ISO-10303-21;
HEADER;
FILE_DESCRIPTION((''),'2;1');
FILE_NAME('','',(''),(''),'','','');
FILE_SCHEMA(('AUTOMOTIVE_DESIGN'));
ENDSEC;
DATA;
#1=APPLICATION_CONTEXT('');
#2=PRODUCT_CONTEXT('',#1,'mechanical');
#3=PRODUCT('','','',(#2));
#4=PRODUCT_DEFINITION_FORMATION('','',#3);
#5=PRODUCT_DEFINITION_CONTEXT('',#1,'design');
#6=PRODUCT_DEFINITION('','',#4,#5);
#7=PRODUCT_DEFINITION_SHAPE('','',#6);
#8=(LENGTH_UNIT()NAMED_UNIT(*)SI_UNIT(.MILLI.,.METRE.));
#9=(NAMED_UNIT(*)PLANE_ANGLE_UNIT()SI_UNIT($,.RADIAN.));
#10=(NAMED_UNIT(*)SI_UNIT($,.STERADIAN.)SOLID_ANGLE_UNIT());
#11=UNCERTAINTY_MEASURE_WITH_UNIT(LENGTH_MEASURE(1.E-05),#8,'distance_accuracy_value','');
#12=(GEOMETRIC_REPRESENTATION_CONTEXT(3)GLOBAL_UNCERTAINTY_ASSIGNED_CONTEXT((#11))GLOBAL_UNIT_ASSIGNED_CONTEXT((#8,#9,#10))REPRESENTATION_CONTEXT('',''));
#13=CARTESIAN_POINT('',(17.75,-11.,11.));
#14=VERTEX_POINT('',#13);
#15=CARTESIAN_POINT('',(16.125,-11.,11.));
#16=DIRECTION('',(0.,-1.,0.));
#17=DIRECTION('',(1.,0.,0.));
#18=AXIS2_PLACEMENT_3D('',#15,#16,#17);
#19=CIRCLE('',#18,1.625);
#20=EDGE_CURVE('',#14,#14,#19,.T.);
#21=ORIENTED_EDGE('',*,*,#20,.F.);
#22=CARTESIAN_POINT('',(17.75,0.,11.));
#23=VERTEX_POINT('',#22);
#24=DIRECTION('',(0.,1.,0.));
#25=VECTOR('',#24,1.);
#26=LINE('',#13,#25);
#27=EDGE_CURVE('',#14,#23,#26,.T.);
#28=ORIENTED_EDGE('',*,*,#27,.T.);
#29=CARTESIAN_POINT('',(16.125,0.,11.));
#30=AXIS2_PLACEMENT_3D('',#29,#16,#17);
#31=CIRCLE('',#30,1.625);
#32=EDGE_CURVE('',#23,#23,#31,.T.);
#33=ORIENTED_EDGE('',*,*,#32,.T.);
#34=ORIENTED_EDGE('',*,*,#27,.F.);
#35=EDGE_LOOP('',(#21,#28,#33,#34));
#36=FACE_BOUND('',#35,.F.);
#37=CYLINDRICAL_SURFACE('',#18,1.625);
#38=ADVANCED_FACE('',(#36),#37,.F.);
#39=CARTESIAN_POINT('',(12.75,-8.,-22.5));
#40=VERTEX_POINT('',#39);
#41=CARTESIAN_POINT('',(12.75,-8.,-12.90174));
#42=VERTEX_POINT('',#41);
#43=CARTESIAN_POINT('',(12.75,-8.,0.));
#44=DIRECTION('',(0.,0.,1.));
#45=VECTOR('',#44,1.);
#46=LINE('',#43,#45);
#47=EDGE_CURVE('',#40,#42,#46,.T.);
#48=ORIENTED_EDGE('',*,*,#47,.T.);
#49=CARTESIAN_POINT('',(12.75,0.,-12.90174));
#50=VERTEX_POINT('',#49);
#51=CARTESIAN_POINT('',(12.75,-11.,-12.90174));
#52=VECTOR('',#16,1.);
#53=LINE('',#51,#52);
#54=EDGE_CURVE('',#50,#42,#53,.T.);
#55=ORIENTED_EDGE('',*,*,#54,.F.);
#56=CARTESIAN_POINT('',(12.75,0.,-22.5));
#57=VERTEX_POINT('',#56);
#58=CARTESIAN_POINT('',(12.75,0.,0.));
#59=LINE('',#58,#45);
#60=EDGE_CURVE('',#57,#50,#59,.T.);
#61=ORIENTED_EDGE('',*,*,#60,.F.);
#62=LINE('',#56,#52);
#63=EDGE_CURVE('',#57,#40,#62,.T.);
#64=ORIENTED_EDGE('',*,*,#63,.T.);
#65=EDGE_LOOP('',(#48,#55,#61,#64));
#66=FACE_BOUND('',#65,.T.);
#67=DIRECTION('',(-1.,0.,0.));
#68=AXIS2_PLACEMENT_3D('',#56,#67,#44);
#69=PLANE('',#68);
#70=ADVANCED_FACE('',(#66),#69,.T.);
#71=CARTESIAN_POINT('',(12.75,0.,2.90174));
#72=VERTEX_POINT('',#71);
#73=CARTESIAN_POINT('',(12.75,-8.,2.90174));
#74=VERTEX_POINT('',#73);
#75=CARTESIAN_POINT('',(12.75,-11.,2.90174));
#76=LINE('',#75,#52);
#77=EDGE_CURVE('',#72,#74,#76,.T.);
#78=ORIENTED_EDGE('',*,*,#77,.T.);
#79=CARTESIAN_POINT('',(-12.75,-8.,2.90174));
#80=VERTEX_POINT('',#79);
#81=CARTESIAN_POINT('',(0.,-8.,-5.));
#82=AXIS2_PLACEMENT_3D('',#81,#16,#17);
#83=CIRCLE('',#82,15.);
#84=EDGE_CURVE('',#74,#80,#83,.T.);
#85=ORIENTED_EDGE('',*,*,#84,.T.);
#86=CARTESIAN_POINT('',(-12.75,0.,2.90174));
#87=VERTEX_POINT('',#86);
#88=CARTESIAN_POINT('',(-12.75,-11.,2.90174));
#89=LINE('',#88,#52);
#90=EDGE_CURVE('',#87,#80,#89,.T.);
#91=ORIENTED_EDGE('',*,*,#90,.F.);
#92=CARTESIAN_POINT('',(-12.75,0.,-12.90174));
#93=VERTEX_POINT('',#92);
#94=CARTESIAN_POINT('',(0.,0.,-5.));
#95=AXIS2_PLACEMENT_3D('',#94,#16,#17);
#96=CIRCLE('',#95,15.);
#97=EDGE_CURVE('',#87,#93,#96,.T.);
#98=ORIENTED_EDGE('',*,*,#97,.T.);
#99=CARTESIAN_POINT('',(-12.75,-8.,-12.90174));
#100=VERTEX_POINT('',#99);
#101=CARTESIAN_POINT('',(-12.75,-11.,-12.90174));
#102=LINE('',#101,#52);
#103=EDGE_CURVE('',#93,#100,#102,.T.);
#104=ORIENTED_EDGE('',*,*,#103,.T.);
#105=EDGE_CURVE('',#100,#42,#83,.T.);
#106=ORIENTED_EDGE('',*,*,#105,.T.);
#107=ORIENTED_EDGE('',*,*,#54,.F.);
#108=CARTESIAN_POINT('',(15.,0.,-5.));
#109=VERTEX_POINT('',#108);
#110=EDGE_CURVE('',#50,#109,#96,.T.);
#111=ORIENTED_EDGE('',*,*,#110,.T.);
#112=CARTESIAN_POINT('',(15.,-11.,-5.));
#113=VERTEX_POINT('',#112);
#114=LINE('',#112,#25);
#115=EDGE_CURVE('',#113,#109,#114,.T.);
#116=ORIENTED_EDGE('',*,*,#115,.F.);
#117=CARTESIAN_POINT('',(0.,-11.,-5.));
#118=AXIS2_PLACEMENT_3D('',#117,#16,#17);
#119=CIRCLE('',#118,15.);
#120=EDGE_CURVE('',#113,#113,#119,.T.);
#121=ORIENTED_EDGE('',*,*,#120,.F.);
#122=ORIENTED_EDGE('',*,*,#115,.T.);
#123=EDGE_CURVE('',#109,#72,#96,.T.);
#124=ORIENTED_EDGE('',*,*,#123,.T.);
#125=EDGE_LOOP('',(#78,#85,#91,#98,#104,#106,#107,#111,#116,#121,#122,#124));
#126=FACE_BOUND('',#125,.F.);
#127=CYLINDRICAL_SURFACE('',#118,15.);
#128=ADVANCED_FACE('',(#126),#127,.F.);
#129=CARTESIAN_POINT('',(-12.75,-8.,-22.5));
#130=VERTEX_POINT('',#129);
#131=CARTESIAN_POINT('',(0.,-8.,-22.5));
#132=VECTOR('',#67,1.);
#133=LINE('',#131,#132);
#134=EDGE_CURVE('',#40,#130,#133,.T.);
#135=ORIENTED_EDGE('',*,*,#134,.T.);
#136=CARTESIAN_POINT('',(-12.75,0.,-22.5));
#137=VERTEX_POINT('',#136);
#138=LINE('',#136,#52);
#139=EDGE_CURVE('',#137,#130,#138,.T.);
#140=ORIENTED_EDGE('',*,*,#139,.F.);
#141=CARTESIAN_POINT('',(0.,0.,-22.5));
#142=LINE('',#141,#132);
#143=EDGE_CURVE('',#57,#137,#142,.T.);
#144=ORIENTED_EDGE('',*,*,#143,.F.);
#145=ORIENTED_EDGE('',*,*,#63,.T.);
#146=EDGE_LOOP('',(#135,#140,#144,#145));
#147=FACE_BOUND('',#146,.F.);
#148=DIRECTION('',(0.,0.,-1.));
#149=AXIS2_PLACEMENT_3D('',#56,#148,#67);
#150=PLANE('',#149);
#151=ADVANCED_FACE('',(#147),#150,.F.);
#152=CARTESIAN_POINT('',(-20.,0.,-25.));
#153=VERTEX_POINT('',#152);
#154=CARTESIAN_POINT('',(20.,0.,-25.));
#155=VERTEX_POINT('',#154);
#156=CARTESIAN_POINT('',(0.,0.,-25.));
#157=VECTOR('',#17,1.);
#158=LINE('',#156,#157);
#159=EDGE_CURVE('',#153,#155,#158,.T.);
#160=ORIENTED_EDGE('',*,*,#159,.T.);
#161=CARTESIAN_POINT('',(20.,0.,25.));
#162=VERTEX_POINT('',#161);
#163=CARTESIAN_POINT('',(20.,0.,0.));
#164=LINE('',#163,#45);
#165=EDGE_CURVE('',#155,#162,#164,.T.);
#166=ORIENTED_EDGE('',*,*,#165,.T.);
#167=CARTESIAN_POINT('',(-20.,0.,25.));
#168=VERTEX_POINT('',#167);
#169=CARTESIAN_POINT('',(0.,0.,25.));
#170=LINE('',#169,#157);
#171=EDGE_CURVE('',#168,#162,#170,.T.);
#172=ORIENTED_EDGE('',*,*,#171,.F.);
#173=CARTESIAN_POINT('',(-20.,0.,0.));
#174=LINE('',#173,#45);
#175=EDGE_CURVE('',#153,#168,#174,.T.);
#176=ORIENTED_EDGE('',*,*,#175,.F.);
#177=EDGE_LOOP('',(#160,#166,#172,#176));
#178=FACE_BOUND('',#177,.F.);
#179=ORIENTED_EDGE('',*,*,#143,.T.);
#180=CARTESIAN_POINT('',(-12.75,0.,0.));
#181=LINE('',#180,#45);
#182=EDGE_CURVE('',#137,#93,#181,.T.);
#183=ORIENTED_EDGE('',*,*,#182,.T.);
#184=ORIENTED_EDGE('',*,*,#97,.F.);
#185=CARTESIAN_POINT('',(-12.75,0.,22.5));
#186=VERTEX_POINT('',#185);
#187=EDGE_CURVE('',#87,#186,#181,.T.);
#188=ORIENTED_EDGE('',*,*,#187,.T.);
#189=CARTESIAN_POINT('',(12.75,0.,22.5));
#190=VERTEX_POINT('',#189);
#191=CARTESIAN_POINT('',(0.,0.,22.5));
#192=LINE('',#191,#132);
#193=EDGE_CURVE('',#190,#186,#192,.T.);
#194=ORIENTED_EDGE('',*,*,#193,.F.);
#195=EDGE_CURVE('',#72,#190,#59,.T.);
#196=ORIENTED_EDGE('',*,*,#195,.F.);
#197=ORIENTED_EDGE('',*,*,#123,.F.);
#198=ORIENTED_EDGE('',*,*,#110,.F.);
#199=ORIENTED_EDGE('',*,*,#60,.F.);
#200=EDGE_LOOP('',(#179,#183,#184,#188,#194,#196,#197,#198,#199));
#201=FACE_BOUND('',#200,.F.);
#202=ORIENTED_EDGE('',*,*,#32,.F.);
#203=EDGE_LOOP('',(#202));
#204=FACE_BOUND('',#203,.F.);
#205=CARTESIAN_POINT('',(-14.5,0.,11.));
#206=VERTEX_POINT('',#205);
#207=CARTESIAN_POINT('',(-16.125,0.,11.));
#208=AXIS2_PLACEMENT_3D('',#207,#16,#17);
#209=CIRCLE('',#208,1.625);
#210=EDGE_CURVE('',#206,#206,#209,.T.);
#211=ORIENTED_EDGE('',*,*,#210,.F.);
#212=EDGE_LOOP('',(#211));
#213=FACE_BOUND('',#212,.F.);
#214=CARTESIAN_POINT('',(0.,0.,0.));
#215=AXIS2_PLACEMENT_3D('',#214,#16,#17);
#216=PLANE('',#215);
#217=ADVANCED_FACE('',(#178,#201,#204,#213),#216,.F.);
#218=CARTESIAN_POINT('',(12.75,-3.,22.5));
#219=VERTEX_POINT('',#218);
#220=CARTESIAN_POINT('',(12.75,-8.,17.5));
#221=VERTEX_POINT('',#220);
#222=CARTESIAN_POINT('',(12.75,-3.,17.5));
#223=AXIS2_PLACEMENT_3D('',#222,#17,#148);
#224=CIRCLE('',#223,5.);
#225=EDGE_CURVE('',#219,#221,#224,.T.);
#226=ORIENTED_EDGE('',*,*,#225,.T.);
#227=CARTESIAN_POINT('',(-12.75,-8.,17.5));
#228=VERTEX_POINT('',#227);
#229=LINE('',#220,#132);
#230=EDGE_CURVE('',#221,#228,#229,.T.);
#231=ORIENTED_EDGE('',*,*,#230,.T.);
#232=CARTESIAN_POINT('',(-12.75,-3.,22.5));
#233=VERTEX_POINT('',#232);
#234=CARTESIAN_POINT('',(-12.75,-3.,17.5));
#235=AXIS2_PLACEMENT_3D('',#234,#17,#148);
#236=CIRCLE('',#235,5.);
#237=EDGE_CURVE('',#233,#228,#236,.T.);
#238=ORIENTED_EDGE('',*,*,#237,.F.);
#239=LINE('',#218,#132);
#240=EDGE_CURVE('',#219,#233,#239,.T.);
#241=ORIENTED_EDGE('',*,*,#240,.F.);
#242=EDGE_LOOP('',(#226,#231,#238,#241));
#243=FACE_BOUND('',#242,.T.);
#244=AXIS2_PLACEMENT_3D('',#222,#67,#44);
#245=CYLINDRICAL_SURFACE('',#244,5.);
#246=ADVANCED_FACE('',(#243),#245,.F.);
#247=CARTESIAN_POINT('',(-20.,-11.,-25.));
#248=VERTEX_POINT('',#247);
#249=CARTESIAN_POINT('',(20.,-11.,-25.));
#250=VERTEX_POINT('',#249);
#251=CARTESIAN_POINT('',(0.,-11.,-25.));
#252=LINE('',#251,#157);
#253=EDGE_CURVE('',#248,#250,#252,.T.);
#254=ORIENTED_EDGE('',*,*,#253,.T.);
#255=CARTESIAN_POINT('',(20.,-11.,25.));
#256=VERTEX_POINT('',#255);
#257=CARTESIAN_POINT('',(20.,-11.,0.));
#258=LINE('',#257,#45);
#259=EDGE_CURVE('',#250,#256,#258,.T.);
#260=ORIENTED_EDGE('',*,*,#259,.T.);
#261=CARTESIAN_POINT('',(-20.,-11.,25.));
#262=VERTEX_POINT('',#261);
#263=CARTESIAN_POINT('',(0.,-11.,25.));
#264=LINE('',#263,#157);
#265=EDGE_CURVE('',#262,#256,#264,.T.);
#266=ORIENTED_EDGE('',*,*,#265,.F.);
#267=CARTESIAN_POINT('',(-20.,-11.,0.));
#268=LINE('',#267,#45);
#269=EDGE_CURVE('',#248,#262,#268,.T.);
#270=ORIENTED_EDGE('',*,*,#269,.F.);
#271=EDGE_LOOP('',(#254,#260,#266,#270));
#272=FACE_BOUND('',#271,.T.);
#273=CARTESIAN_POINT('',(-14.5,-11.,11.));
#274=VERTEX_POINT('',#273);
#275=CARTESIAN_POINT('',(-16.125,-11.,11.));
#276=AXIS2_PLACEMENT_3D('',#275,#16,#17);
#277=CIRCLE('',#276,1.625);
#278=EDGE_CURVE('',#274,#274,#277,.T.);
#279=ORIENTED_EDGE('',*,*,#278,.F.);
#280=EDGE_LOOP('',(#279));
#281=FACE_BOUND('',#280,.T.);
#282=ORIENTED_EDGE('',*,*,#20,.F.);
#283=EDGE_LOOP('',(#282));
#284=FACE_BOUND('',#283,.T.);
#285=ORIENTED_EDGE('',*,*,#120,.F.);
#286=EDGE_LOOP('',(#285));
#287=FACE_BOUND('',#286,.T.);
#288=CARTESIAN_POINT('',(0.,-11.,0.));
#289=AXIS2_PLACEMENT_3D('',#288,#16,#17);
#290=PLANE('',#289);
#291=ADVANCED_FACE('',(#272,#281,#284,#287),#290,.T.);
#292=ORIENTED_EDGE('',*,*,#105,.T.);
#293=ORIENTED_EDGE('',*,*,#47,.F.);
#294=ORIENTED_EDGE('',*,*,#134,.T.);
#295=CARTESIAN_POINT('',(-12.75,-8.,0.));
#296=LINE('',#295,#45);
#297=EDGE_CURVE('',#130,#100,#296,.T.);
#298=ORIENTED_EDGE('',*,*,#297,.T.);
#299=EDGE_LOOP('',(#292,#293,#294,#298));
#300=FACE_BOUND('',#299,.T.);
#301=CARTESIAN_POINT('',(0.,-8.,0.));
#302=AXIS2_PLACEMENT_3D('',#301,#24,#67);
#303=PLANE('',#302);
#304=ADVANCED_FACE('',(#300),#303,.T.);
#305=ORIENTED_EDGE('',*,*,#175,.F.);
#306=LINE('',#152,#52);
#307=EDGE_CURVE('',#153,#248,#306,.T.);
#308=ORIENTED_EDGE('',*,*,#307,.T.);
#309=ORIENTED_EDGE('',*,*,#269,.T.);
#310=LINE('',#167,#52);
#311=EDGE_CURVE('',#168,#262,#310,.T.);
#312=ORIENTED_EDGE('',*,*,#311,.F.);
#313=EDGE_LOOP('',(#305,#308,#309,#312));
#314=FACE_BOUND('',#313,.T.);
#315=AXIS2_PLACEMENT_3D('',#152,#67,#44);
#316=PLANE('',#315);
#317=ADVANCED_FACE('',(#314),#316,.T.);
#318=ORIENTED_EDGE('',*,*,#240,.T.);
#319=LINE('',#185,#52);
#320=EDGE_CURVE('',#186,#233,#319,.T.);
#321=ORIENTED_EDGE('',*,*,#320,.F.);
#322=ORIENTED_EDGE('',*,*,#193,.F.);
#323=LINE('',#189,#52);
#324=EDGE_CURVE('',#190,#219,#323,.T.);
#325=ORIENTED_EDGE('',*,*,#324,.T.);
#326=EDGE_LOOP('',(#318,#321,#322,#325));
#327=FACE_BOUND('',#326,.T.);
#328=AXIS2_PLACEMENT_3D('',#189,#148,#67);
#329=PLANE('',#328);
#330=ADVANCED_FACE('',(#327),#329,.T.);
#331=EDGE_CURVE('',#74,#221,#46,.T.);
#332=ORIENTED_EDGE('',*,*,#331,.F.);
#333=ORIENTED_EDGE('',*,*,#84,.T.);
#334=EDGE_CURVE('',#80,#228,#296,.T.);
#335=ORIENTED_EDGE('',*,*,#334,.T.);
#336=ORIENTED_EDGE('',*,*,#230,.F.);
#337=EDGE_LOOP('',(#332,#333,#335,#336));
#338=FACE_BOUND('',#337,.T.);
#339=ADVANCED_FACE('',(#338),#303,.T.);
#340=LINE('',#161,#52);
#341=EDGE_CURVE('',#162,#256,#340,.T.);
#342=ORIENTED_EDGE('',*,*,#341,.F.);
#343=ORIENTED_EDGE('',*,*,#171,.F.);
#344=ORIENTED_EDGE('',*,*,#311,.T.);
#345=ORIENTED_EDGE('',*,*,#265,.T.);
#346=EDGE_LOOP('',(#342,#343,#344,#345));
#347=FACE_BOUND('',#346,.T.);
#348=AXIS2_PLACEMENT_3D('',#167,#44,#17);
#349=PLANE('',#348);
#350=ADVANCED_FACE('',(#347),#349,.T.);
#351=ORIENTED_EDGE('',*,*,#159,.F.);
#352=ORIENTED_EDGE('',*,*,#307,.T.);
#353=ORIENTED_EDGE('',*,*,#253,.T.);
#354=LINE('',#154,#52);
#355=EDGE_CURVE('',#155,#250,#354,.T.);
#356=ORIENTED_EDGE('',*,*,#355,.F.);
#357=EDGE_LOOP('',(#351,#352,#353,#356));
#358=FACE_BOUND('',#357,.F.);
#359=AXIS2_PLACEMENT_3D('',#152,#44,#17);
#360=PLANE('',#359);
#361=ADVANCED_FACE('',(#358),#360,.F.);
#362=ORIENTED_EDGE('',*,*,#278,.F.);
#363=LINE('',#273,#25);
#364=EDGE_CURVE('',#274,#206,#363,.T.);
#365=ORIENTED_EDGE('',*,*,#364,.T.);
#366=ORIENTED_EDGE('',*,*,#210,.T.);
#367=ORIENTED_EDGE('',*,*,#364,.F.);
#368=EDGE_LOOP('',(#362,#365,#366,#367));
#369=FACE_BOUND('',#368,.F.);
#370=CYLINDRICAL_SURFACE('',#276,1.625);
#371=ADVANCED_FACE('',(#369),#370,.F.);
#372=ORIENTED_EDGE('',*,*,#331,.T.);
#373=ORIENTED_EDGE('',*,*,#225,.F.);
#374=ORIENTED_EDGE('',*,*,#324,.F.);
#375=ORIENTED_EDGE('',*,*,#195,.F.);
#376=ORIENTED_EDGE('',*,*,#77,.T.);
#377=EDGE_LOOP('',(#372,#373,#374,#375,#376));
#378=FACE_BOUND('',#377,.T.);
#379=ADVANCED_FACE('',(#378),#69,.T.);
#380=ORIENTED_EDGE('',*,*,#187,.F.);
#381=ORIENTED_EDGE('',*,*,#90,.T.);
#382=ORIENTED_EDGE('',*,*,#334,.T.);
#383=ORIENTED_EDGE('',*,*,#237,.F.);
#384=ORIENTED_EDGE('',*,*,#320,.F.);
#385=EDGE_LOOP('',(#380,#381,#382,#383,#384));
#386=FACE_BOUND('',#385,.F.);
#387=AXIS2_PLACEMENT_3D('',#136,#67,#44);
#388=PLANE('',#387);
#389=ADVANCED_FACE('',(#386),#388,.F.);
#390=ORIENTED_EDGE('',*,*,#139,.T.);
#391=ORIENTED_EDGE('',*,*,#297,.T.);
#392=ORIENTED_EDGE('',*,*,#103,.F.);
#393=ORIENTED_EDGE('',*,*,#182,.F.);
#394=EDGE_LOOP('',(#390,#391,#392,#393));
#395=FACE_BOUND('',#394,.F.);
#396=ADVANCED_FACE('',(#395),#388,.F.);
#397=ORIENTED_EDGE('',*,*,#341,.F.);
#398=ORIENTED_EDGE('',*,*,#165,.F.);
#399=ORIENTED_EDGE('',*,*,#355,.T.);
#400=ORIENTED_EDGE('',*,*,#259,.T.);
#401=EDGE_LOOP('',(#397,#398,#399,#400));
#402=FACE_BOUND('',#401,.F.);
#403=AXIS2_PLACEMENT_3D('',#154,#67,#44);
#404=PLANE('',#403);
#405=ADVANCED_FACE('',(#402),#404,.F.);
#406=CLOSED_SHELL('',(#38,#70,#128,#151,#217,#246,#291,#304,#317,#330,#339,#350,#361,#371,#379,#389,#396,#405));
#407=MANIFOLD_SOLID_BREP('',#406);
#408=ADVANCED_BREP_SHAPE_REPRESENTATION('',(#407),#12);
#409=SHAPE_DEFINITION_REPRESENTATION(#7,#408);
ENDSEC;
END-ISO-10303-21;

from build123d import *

# Parameters (mm, degrees)
F0_W     = 40
F0_H     = 50
F1_DEPTH = 11
F2_R     = 1.625
F3_DEPTH = 11.001
F4_W     = 25.5
F4_H     = 45
F5_DEPTH = 8
F6_R     = 5
F7_R     = 15
F8_DEPTH = 25


with BuildPart() as f1:
    # F0 (on Front) → F1 (new body)
    with BuildSketch(Plane.XZ):
        Rectangle(F0_W, F0_H)
    extrude(amount=F1_DEPTH)

    # F2 (on face) → F3 (cut, through all)
    with BuildSketch(Plane.XZ.offset(11)):
        with Locations((-16.125, 11)):
            Circle(F2_R)
        with Locations((16.125, 11)):
            Circle(F2_R)
    extrude(amount=-F3_DEPTH, mode=Mode.SUBTRACT)

    # F4 (on face) → F5 (cut)
    with BuildSketch(Plane(origin=(0, 0, 0), x_dir=(-1, 0, 0), z_dir=(0, 1, 0))):
        Rectangle(F4_W, F4_H)
    extrude(amount=-F5_DEPTH, mode=Mode.SUBTRACT)

    # F6
    f6_edges = [f1.edges().sort_by_distance(p)[0] for p in [
        (0, -8, 22.5),
    ]]
    fillet(f6_edges, radius=F6_R)

    # F7 (on face) → F8 (cut)
    with BuildSketch(Plane.XZ.offset(11)):
        with Locations((0, -5)):
            Circle(F7_R)
    extrude(amount=-F8_DEPTH, mode=Mode.SUBTRACT)


solid = f1.part
